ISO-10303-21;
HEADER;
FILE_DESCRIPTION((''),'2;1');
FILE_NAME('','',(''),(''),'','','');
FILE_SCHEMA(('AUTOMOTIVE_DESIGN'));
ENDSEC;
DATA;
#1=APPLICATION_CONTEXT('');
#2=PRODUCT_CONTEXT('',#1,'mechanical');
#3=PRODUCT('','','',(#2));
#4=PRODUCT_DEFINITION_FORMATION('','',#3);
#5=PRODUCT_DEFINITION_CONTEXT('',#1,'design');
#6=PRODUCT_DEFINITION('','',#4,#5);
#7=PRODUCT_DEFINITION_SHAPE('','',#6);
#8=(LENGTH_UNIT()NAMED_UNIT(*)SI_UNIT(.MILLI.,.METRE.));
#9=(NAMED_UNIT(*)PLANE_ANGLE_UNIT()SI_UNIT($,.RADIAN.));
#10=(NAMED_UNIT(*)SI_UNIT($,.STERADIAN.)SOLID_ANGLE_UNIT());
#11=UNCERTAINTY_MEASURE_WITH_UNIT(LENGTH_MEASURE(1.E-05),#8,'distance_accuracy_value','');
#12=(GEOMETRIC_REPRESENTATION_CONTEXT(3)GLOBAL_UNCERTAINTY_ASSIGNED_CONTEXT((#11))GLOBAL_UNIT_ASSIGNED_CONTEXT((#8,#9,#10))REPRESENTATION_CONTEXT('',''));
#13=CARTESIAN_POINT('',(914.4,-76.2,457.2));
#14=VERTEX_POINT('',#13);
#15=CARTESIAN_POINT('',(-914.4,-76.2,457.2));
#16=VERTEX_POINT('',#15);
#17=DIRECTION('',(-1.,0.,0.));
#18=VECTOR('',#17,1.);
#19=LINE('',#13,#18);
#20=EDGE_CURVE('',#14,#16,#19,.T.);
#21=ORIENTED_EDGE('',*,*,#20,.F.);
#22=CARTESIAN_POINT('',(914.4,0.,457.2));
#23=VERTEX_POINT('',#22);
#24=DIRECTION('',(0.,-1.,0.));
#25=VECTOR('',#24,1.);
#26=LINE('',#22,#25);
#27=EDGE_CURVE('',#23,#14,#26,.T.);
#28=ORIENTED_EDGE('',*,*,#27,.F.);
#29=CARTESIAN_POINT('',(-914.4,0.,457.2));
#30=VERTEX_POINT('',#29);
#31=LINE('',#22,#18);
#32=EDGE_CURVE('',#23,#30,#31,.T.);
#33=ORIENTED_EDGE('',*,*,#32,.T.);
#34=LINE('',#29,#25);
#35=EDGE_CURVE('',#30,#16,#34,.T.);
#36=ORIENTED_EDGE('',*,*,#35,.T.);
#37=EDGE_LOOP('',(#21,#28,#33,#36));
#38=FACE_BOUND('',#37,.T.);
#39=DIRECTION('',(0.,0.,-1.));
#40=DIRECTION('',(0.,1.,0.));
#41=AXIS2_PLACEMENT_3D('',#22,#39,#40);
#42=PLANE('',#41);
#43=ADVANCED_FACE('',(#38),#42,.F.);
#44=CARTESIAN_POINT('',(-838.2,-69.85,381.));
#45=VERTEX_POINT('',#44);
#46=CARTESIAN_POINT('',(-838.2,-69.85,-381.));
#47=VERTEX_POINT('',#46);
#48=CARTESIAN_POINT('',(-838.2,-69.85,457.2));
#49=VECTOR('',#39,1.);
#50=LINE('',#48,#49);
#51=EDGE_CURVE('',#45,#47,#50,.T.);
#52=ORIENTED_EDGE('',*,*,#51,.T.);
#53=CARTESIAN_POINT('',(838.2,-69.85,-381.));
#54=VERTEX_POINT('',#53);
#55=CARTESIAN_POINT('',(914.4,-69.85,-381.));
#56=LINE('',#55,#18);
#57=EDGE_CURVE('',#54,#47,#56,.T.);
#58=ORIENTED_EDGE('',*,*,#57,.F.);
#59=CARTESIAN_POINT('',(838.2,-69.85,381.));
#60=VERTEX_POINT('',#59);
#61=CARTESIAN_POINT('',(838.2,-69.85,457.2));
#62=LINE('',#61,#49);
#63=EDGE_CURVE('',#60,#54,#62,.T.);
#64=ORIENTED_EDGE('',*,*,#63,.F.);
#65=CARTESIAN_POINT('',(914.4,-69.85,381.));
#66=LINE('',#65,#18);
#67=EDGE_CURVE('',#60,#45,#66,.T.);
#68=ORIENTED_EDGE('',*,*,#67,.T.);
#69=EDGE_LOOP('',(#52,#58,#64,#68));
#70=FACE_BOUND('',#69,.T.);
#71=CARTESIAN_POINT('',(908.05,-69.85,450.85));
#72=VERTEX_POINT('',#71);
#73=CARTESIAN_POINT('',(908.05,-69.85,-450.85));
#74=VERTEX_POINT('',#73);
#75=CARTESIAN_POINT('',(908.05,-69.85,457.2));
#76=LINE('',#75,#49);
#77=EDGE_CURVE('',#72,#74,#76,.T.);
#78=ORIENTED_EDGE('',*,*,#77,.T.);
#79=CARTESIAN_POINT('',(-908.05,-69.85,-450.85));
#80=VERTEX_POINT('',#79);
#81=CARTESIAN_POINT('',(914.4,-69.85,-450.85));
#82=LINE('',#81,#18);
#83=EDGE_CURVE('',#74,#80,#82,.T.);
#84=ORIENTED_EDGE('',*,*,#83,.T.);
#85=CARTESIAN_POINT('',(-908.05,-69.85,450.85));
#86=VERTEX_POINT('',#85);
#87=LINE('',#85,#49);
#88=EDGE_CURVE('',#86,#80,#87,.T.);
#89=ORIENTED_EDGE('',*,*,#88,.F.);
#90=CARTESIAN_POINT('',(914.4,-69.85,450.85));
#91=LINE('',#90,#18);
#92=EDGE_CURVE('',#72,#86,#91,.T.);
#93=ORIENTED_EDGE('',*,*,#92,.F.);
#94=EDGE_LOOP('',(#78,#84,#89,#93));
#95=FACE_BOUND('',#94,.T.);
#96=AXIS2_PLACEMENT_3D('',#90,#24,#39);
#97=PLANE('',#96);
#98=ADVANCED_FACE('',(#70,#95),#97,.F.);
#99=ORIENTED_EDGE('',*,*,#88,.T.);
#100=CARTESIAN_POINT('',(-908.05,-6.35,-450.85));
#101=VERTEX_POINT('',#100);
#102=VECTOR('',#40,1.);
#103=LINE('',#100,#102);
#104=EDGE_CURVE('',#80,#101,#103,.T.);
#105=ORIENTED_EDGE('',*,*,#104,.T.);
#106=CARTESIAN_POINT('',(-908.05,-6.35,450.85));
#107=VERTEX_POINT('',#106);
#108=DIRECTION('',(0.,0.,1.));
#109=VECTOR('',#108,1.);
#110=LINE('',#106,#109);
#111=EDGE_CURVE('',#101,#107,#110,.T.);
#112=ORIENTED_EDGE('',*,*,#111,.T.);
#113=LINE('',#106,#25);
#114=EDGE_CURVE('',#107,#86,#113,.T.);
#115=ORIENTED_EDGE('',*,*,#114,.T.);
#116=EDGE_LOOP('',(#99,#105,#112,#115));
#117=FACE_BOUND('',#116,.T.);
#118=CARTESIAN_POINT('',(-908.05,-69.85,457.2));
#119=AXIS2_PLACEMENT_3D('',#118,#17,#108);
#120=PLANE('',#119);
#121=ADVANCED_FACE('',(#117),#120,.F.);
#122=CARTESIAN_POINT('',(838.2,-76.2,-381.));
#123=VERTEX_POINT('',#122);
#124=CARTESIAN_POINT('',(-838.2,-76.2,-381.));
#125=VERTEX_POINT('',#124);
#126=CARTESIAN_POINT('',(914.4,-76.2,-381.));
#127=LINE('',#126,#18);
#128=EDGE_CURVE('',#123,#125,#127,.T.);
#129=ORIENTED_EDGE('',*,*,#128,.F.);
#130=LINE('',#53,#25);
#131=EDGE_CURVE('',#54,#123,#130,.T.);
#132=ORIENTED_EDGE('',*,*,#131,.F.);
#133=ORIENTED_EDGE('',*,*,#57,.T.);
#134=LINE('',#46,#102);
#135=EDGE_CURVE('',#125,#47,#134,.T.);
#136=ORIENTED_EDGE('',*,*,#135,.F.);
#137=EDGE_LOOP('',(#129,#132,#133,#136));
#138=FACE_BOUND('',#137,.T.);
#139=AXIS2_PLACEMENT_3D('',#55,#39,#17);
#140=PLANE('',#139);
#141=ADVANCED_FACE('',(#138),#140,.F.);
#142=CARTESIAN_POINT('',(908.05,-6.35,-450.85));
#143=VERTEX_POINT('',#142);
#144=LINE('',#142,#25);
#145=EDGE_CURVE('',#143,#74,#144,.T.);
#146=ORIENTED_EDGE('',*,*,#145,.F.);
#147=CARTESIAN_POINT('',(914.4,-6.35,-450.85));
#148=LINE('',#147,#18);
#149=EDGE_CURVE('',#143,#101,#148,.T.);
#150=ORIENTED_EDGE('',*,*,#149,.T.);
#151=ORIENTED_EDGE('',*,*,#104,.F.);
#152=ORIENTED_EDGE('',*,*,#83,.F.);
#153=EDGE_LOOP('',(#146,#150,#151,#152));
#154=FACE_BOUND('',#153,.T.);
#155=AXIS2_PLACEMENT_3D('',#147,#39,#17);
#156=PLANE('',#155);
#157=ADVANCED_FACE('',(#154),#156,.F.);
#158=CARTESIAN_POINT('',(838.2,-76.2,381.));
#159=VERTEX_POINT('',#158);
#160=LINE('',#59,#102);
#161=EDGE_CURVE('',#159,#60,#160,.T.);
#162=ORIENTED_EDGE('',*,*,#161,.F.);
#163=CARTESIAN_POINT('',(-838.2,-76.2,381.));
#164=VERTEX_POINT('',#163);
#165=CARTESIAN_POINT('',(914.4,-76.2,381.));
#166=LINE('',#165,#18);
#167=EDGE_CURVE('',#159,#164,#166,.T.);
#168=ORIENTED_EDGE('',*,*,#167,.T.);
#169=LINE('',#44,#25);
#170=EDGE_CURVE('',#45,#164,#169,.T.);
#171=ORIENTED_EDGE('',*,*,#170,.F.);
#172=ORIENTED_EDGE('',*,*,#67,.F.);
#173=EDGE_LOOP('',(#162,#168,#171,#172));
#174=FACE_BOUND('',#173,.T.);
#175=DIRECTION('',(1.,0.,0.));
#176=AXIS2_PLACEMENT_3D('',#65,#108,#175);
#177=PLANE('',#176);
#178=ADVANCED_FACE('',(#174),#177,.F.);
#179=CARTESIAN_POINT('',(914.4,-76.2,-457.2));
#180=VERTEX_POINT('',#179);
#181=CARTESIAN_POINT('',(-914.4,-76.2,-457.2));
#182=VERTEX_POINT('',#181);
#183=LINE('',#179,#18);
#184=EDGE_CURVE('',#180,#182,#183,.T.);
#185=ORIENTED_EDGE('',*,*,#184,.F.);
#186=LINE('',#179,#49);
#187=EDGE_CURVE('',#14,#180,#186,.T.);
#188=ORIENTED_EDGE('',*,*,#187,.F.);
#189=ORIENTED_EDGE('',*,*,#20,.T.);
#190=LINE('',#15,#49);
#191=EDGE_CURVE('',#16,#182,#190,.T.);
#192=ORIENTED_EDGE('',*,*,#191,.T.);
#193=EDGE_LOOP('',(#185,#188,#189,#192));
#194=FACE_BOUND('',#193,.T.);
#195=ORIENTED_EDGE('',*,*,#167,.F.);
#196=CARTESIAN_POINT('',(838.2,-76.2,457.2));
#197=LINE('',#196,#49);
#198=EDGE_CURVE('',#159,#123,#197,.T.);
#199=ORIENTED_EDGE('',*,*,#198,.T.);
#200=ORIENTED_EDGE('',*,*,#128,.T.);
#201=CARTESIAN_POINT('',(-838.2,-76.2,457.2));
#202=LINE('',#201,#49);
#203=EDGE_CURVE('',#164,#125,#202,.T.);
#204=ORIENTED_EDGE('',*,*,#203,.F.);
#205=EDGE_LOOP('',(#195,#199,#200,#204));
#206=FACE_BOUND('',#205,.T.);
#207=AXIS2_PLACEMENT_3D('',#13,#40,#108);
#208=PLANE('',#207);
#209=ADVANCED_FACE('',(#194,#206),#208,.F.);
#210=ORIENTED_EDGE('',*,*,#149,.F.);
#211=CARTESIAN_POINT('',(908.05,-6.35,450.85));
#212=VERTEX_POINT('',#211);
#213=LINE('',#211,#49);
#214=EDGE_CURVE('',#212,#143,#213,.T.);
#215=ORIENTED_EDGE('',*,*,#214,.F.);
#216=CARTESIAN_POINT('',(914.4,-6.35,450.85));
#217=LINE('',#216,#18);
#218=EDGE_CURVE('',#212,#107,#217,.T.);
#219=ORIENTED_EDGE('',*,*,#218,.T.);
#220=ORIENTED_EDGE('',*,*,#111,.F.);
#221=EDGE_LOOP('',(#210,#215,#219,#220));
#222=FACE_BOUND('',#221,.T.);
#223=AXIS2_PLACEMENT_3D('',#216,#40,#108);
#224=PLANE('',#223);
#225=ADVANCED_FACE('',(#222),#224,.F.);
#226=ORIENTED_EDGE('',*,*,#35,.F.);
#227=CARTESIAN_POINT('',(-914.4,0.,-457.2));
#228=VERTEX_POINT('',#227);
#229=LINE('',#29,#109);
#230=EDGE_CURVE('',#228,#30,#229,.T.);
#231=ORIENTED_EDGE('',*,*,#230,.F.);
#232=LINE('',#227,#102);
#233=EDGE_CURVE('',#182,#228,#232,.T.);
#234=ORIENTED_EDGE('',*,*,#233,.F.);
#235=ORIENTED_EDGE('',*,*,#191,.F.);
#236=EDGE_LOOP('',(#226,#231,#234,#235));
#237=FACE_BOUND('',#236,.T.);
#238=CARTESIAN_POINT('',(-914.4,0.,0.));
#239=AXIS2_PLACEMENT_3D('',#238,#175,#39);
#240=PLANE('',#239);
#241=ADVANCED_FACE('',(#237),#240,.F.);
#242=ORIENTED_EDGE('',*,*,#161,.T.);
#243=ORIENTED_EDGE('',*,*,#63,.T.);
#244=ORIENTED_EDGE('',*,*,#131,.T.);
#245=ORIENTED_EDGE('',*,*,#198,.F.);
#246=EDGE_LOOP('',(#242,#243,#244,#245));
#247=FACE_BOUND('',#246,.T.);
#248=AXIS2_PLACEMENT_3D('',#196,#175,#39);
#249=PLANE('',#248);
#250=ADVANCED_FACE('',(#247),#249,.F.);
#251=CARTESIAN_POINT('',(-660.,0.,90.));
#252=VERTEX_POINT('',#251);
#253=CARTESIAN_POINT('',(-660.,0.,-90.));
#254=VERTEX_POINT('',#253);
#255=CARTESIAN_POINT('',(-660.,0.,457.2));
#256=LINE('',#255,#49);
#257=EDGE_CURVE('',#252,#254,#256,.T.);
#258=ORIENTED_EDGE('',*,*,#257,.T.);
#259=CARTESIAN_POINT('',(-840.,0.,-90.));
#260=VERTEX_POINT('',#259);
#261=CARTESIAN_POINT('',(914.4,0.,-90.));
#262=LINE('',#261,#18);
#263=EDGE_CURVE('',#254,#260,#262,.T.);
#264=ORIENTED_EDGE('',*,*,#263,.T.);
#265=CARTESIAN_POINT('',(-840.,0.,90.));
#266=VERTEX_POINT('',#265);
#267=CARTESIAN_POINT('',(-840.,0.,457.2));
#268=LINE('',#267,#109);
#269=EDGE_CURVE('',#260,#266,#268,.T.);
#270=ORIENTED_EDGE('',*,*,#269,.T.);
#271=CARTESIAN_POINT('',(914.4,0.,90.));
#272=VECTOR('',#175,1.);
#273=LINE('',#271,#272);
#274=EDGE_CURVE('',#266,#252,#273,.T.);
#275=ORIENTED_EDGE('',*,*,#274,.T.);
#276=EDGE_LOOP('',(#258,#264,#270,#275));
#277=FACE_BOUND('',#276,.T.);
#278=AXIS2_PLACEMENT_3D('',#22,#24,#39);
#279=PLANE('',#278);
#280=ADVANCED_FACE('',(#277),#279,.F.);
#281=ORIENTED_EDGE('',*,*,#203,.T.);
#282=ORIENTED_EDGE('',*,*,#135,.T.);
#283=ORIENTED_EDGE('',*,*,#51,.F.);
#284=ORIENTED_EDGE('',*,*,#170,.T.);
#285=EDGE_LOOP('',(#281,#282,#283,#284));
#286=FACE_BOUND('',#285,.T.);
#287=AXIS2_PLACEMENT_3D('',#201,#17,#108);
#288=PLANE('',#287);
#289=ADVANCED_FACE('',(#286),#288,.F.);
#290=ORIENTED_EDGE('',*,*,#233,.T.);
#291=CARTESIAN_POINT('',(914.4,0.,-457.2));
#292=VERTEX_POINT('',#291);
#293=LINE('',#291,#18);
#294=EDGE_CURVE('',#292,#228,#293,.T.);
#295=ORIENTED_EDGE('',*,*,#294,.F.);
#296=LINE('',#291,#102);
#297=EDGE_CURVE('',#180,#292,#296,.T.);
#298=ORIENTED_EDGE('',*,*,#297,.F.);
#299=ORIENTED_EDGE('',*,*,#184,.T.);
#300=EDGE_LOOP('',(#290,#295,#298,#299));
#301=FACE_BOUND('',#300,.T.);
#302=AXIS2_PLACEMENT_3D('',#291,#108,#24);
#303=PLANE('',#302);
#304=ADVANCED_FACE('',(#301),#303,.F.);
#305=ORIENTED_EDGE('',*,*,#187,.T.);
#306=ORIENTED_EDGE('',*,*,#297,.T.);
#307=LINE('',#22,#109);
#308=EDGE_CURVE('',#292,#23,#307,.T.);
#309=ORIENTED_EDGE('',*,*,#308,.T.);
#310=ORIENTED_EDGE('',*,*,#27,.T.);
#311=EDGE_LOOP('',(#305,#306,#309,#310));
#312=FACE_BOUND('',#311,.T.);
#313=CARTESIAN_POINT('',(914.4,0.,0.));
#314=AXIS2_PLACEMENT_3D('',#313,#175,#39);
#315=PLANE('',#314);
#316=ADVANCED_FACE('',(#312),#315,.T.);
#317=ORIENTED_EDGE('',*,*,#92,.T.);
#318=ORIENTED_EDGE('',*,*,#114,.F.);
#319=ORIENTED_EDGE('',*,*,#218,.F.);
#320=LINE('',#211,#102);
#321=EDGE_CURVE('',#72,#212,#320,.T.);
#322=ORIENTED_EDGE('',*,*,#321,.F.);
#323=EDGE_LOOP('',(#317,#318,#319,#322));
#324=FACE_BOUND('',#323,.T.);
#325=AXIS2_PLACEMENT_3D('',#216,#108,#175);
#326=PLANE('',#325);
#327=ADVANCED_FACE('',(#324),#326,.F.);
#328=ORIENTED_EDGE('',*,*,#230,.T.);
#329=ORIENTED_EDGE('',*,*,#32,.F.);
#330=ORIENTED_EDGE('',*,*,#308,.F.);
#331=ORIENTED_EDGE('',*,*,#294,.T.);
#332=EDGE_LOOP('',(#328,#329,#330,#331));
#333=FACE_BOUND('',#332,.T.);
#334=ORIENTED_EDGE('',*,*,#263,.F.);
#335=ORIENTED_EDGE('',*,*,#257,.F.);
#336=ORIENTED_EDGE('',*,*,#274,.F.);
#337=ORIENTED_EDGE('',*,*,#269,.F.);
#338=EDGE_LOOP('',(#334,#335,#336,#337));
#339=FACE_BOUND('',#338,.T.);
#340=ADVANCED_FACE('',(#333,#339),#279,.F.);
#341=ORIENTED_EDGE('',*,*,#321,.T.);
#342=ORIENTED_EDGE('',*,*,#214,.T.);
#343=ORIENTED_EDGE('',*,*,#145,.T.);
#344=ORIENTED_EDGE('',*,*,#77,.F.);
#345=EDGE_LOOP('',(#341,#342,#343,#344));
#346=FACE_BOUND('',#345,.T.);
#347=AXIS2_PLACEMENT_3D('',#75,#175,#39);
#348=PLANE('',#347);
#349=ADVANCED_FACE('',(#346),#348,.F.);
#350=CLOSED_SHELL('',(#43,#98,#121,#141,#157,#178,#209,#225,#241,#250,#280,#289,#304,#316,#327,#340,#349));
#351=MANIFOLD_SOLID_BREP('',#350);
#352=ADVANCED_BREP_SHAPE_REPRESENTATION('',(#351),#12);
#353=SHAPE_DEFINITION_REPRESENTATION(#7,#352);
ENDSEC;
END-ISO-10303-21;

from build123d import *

# Parameters (mm, degrees)
BOSS_EXTRUDE1_DEPTH = 914.4
BOSS_EXTRUDE2_DEPTH = 457.2


with BuildPart() as part:
    # Sketch1 → Boss-Extrude1 (new body, symmetric)
    with BuildSketch(Plane(origin=(0, 0, 0), x_dir=(0, 0, -1), z_dir=(1, 0, 0))):
        Polygon((-457.2, 0), (457.2, 0), (457.2, -76.2), (381, -76.2), (381, -69.85), (450.85, -69.85), (450.85, -6.35), (-450.85, -6.35), (-450.85, -69.85), (-381, -69.85), (-381, -76.2), (-457.2, -76.2), align=None)
    extrude(amount=BOSS_EXTRUDE1_DEPTH, both=True)

    # Sketch2 → Boss-Extrude2 (add, symmetric)
    with BuildSketch(Plane.XY):
        Polygon((-914.4, 0), (-914.4, -76.2), (-838.2, -76.2), (-838.2, -69.85), (-908.05, -69.85), (-908.05, 0), align=None)
        Polygon((908.05, 0), (914.4, 0), (914.4, -76.2), (838.2, -76.2), (838.2, -69.85), (908.05, -69.85), align=None)
    extrude(amount=BOSS_EXTRUDE2_DEPTH, both=True)


solid = part.part
